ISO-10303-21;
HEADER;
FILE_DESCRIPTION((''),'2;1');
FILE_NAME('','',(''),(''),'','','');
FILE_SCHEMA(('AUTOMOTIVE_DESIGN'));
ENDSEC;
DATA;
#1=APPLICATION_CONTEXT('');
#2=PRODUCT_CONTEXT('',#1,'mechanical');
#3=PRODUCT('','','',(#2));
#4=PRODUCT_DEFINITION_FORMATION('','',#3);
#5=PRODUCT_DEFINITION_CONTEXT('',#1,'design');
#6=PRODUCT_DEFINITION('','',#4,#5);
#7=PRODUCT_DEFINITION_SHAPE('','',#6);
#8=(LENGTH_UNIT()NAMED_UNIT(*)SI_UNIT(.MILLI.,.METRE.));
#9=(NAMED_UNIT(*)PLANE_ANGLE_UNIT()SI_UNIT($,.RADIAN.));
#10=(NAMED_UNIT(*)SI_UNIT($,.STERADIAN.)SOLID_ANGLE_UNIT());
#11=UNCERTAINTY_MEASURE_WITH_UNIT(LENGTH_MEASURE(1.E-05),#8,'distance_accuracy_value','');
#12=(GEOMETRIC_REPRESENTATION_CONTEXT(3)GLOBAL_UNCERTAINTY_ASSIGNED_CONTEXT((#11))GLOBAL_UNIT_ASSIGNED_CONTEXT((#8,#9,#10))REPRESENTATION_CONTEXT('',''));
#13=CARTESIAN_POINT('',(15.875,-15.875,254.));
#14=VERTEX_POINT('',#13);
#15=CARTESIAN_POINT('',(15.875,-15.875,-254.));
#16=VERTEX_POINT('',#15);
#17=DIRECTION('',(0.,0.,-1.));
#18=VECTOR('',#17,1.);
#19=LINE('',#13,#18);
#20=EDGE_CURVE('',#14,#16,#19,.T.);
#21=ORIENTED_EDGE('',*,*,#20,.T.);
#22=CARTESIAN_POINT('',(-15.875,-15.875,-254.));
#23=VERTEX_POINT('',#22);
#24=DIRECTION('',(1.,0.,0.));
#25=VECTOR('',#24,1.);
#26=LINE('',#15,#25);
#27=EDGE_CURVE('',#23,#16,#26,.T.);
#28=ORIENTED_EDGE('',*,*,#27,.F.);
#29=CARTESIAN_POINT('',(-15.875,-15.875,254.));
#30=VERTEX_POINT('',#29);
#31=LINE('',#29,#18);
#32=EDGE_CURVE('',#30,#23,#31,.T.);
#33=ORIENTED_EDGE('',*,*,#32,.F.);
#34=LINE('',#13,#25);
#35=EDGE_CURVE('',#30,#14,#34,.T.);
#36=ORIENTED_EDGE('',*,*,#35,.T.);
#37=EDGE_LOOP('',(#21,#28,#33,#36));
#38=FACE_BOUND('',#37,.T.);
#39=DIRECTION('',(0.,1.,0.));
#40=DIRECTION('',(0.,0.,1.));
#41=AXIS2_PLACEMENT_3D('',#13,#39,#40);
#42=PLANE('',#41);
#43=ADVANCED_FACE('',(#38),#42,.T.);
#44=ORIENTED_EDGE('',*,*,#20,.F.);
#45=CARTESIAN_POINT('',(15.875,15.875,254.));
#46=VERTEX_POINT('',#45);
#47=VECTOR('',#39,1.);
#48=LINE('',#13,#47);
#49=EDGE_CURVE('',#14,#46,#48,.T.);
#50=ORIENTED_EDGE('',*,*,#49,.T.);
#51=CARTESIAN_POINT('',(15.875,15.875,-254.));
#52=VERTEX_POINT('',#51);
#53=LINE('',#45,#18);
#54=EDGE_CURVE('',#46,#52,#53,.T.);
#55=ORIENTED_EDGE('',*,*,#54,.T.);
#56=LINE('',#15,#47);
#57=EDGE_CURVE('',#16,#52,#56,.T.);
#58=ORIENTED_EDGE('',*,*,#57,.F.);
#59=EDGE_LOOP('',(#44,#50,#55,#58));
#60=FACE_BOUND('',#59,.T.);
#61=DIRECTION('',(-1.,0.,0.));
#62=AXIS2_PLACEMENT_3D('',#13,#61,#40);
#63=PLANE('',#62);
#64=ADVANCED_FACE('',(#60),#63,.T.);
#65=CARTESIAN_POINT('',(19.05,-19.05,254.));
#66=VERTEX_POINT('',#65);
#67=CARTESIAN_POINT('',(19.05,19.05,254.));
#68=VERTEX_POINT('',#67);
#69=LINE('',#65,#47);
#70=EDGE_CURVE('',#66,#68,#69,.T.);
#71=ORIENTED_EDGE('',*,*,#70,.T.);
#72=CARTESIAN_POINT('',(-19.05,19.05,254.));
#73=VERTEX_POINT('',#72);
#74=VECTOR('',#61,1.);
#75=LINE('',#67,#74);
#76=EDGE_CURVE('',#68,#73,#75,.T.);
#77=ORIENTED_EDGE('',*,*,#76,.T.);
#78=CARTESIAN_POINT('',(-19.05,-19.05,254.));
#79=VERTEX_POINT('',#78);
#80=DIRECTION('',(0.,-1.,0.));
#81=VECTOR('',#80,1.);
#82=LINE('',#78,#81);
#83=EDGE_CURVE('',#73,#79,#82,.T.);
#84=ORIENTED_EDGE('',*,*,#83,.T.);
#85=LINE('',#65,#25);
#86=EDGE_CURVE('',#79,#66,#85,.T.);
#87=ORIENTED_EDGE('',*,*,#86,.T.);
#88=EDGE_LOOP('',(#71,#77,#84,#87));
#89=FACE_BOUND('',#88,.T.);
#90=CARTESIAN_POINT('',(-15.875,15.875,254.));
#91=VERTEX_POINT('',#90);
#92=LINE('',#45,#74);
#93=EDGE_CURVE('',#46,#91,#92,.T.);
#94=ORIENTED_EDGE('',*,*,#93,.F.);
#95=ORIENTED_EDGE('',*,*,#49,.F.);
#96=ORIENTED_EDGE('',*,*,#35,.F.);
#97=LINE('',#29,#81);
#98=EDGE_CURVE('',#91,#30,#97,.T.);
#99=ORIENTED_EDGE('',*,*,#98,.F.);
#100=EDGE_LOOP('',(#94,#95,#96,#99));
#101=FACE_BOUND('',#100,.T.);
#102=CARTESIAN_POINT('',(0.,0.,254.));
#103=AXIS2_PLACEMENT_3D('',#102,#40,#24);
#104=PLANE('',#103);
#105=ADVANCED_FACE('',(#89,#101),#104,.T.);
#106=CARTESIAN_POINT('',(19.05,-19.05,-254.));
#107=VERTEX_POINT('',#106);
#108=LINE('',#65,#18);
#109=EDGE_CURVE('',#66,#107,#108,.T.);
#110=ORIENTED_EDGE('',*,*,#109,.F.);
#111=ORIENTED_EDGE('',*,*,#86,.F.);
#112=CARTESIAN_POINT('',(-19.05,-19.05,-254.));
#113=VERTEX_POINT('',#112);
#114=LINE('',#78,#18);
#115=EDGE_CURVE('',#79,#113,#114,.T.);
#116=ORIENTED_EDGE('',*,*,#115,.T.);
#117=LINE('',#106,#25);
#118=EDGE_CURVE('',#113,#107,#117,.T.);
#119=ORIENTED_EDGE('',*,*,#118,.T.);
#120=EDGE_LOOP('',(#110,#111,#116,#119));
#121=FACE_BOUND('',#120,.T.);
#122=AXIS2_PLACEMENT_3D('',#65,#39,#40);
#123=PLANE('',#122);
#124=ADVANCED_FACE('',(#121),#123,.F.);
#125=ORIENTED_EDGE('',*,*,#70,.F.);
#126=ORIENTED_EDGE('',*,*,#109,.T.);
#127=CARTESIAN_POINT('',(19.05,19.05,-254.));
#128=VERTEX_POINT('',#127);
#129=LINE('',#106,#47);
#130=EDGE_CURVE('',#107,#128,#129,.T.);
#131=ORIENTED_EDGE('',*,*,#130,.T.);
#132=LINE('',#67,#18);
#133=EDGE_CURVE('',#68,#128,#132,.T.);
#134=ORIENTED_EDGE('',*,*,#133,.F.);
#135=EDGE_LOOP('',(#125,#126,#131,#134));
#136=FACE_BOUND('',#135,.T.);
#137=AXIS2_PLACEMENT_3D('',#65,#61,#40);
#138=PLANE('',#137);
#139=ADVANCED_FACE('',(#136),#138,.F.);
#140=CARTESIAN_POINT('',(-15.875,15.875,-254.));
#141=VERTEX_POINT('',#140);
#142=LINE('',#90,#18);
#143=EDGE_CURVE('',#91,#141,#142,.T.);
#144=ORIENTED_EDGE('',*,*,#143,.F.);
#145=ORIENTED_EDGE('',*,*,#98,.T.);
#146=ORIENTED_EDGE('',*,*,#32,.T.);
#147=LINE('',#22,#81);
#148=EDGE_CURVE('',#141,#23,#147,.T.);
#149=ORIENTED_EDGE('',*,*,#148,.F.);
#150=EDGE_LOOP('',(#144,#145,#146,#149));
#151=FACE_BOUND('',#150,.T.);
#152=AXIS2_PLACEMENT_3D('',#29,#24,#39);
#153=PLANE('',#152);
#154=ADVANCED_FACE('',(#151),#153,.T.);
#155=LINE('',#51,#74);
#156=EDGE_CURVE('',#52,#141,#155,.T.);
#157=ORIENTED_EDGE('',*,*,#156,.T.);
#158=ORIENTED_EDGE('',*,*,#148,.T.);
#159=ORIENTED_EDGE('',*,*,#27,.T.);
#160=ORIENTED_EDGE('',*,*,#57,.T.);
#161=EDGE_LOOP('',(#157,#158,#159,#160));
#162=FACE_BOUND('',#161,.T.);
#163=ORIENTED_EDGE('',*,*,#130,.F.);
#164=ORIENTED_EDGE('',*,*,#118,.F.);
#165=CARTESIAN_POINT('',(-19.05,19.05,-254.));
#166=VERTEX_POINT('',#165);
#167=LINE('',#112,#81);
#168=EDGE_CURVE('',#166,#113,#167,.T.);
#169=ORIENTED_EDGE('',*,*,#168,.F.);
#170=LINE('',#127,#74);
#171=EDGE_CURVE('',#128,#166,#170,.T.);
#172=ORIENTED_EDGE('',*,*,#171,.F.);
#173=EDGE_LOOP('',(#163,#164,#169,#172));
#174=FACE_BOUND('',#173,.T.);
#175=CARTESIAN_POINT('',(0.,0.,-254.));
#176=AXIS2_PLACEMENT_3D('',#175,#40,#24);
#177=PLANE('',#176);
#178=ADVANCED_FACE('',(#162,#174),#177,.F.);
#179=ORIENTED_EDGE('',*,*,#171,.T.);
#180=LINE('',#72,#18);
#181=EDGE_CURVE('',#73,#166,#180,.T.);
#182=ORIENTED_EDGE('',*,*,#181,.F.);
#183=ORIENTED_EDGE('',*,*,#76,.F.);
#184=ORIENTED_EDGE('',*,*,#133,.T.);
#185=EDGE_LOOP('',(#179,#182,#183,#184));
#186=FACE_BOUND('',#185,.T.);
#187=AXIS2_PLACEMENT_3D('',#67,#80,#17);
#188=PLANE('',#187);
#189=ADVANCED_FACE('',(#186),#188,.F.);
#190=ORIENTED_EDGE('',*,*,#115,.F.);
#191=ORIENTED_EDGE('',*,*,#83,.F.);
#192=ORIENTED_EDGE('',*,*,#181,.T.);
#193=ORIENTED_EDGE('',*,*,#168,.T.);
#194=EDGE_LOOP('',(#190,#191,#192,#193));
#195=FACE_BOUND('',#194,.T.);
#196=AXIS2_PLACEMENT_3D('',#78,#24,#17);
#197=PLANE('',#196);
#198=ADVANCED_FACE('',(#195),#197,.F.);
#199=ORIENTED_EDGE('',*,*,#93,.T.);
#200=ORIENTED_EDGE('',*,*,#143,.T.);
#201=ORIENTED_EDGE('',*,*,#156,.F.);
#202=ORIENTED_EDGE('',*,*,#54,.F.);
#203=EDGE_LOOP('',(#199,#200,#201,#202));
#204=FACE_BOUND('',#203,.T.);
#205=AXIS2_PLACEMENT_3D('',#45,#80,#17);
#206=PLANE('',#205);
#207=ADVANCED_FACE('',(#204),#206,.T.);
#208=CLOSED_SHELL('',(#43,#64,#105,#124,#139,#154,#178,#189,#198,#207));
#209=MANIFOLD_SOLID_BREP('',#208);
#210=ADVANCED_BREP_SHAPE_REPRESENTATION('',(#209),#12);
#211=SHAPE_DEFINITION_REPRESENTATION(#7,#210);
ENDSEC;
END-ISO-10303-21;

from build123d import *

# Parameters (mm, degrees)
BOSS_EXTRUDE1_DEPTH      = 254
BOSS_EXTRUDE1_DEPTH_BACK = 254
SKETCH3_W                = 38.1
SKETCH3_H                = 38.1
SKETCH3_W_2              = 31.75
SKETCH3_H_2              = 31.75


with BuildPart() as part:
    # Sketch3 → Boss-Extrude1 (new, two sides: drawn at the far end of the back side and taken through both)
    with BuildSketch(Plane.XY.offset(-BOSS_EXTRUDE1_DEPTH_BACK)):
        Rectangle(SKETCH3_W, SKETCH3_H)
        Rectangle(SKETCH3_W_2, SKETCH3_H_2, mode=Mode.SUBTRACT)
    extrude(amount=BOSS_EXTRUDE1_DEPTH + BOSS_EXTRUDE1_DEPTH_BACK)


solid = part.part
